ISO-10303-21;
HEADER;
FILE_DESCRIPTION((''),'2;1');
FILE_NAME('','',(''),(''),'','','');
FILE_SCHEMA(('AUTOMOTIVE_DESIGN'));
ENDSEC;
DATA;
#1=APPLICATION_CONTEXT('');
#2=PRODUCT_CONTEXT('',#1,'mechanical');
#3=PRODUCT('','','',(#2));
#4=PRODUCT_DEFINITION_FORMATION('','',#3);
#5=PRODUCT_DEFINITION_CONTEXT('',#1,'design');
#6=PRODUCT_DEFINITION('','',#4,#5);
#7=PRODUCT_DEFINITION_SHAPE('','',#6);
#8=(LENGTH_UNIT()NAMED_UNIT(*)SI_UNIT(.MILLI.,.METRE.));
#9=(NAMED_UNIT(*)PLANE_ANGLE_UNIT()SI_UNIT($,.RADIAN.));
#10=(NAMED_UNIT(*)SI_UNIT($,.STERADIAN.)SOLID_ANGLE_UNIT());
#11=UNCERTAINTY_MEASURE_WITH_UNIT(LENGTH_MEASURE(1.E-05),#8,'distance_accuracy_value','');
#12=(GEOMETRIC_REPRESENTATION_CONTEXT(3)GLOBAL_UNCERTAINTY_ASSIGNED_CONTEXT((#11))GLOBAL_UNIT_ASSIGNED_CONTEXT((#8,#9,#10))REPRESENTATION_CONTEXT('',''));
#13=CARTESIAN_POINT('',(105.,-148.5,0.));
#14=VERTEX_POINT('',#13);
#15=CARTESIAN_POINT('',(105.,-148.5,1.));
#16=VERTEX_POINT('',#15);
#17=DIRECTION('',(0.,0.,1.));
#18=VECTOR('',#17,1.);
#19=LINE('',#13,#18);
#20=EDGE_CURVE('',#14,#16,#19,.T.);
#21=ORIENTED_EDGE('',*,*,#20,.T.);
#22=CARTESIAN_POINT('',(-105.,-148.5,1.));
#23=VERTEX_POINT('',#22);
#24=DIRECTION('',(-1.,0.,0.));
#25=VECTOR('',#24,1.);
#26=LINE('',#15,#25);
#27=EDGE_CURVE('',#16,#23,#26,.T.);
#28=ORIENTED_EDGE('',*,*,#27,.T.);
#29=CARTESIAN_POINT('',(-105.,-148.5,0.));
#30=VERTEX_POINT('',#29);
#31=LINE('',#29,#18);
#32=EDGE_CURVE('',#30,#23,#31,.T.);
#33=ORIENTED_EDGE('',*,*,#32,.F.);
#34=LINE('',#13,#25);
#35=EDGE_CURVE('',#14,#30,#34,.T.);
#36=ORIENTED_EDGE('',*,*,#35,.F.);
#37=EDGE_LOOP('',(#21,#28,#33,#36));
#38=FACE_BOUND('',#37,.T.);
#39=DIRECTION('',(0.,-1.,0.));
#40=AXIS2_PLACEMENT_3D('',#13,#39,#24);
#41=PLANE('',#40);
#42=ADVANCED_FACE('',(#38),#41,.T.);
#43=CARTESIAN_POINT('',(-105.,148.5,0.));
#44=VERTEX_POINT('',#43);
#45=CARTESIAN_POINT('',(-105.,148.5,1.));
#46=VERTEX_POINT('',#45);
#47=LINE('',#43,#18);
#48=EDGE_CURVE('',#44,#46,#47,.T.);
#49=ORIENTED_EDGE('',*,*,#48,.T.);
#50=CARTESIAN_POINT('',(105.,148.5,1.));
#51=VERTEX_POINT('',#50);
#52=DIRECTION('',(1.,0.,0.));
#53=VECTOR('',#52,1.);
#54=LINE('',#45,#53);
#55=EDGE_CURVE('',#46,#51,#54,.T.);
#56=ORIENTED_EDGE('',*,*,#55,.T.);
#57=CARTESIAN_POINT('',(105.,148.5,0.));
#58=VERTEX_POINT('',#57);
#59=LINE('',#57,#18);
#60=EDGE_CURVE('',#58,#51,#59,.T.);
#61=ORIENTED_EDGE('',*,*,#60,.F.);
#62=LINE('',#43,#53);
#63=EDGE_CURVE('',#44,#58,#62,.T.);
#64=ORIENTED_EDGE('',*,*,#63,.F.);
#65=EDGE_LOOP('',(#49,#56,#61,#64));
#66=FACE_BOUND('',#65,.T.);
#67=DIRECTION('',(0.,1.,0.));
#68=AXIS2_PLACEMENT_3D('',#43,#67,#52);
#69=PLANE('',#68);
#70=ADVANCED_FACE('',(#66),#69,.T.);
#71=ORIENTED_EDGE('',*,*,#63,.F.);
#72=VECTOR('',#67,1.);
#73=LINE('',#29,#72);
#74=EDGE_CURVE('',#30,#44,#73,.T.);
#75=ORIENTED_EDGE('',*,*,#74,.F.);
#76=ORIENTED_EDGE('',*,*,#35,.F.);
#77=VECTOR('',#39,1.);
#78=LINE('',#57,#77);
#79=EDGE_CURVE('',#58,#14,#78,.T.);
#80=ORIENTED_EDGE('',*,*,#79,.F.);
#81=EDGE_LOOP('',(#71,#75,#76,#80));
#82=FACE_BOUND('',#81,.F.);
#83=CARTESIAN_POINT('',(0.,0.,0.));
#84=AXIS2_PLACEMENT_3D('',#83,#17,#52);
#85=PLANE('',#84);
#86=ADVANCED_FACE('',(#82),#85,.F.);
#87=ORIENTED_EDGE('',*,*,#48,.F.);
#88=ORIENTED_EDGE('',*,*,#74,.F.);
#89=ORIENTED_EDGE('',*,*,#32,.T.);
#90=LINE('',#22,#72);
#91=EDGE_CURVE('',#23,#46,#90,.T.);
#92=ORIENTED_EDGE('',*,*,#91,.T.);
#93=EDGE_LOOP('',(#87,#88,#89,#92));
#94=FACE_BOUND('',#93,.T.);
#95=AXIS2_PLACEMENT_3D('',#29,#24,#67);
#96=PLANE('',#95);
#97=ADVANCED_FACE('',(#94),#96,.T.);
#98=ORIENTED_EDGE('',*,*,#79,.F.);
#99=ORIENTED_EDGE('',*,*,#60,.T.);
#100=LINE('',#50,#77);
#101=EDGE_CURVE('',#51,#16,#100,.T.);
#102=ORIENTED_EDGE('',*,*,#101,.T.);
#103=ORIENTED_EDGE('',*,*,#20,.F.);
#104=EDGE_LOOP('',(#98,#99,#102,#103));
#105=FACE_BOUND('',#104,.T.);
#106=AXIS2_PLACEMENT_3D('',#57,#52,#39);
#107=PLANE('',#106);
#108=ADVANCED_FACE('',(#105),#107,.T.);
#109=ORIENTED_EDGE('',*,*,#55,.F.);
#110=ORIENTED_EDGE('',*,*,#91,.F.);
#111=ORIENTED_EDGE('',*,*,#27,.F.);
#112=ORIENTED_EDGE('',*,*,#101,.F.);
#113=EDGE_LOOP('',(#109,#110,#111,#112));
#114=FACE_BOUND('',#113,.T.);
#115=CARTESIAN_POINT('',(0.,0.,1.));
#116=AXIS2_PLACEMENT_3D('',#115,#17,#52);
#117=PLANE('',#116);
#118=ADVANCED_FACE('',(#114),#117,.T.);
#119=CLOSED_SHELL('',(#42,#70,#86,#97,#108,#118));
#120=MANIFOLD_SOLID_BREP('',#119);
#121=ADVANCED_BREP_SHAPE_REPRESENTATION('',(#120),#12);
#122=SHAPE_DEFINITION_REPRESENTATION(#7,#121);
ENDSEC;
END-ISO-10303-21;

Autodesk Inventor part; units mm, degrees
ref_plane "YZ Plane" through (0, 0, 0) normal (1, 0, 0) x (0, 1, 0)
ref_plane "XZ Plane" through (0, 0, 0) normal (0, 1, 0) x (-1, 0, 0)
ref_plane "XY Plane" through (0, 0, 0) normal (0, 0, 1) x (1, 0, 0)
sketch "Sketch1" plane through (0, 0, 0) normal (0, 0, 1) x (1, 0, 0)
  line L0 (-105, 148.5) -> (105, 148.5)
  line L1 (105, 148.5) -> (105, -148.5)
  line L2 (105, -148.5) -> (-105, -148.5)
  line L3 (-105, -148.5) -> (-105, 148.5)
  point P0 (0, 0)
  point P1 (0, 148.5)
  point P2 (-105, 0)
  dimension "d0" = 210
  dimension "d1" = 297
extrude "Extrusion1" add sketch "Sketch1" along normal blind 1
sketch "Sketch2" plane through (0, 0, 1) normal (0, 0, 1) x (1, 0, 0)
  line L0 (-85.0261, 33.4604) -> (107.408, 33.4604) construction
  line L1 (107.408, 33.4604) -> (107.408, 25.31) construction
  line L2 (107.408, 25.31) -> (-85.0261, 25.31) construction
  line L3 (-85.0261, 25.31) -> (-85.0261, 33.4604) construction
  point P0 (0, 0)
  dimension "d3" = 0
properties part number "Foaie A4"
